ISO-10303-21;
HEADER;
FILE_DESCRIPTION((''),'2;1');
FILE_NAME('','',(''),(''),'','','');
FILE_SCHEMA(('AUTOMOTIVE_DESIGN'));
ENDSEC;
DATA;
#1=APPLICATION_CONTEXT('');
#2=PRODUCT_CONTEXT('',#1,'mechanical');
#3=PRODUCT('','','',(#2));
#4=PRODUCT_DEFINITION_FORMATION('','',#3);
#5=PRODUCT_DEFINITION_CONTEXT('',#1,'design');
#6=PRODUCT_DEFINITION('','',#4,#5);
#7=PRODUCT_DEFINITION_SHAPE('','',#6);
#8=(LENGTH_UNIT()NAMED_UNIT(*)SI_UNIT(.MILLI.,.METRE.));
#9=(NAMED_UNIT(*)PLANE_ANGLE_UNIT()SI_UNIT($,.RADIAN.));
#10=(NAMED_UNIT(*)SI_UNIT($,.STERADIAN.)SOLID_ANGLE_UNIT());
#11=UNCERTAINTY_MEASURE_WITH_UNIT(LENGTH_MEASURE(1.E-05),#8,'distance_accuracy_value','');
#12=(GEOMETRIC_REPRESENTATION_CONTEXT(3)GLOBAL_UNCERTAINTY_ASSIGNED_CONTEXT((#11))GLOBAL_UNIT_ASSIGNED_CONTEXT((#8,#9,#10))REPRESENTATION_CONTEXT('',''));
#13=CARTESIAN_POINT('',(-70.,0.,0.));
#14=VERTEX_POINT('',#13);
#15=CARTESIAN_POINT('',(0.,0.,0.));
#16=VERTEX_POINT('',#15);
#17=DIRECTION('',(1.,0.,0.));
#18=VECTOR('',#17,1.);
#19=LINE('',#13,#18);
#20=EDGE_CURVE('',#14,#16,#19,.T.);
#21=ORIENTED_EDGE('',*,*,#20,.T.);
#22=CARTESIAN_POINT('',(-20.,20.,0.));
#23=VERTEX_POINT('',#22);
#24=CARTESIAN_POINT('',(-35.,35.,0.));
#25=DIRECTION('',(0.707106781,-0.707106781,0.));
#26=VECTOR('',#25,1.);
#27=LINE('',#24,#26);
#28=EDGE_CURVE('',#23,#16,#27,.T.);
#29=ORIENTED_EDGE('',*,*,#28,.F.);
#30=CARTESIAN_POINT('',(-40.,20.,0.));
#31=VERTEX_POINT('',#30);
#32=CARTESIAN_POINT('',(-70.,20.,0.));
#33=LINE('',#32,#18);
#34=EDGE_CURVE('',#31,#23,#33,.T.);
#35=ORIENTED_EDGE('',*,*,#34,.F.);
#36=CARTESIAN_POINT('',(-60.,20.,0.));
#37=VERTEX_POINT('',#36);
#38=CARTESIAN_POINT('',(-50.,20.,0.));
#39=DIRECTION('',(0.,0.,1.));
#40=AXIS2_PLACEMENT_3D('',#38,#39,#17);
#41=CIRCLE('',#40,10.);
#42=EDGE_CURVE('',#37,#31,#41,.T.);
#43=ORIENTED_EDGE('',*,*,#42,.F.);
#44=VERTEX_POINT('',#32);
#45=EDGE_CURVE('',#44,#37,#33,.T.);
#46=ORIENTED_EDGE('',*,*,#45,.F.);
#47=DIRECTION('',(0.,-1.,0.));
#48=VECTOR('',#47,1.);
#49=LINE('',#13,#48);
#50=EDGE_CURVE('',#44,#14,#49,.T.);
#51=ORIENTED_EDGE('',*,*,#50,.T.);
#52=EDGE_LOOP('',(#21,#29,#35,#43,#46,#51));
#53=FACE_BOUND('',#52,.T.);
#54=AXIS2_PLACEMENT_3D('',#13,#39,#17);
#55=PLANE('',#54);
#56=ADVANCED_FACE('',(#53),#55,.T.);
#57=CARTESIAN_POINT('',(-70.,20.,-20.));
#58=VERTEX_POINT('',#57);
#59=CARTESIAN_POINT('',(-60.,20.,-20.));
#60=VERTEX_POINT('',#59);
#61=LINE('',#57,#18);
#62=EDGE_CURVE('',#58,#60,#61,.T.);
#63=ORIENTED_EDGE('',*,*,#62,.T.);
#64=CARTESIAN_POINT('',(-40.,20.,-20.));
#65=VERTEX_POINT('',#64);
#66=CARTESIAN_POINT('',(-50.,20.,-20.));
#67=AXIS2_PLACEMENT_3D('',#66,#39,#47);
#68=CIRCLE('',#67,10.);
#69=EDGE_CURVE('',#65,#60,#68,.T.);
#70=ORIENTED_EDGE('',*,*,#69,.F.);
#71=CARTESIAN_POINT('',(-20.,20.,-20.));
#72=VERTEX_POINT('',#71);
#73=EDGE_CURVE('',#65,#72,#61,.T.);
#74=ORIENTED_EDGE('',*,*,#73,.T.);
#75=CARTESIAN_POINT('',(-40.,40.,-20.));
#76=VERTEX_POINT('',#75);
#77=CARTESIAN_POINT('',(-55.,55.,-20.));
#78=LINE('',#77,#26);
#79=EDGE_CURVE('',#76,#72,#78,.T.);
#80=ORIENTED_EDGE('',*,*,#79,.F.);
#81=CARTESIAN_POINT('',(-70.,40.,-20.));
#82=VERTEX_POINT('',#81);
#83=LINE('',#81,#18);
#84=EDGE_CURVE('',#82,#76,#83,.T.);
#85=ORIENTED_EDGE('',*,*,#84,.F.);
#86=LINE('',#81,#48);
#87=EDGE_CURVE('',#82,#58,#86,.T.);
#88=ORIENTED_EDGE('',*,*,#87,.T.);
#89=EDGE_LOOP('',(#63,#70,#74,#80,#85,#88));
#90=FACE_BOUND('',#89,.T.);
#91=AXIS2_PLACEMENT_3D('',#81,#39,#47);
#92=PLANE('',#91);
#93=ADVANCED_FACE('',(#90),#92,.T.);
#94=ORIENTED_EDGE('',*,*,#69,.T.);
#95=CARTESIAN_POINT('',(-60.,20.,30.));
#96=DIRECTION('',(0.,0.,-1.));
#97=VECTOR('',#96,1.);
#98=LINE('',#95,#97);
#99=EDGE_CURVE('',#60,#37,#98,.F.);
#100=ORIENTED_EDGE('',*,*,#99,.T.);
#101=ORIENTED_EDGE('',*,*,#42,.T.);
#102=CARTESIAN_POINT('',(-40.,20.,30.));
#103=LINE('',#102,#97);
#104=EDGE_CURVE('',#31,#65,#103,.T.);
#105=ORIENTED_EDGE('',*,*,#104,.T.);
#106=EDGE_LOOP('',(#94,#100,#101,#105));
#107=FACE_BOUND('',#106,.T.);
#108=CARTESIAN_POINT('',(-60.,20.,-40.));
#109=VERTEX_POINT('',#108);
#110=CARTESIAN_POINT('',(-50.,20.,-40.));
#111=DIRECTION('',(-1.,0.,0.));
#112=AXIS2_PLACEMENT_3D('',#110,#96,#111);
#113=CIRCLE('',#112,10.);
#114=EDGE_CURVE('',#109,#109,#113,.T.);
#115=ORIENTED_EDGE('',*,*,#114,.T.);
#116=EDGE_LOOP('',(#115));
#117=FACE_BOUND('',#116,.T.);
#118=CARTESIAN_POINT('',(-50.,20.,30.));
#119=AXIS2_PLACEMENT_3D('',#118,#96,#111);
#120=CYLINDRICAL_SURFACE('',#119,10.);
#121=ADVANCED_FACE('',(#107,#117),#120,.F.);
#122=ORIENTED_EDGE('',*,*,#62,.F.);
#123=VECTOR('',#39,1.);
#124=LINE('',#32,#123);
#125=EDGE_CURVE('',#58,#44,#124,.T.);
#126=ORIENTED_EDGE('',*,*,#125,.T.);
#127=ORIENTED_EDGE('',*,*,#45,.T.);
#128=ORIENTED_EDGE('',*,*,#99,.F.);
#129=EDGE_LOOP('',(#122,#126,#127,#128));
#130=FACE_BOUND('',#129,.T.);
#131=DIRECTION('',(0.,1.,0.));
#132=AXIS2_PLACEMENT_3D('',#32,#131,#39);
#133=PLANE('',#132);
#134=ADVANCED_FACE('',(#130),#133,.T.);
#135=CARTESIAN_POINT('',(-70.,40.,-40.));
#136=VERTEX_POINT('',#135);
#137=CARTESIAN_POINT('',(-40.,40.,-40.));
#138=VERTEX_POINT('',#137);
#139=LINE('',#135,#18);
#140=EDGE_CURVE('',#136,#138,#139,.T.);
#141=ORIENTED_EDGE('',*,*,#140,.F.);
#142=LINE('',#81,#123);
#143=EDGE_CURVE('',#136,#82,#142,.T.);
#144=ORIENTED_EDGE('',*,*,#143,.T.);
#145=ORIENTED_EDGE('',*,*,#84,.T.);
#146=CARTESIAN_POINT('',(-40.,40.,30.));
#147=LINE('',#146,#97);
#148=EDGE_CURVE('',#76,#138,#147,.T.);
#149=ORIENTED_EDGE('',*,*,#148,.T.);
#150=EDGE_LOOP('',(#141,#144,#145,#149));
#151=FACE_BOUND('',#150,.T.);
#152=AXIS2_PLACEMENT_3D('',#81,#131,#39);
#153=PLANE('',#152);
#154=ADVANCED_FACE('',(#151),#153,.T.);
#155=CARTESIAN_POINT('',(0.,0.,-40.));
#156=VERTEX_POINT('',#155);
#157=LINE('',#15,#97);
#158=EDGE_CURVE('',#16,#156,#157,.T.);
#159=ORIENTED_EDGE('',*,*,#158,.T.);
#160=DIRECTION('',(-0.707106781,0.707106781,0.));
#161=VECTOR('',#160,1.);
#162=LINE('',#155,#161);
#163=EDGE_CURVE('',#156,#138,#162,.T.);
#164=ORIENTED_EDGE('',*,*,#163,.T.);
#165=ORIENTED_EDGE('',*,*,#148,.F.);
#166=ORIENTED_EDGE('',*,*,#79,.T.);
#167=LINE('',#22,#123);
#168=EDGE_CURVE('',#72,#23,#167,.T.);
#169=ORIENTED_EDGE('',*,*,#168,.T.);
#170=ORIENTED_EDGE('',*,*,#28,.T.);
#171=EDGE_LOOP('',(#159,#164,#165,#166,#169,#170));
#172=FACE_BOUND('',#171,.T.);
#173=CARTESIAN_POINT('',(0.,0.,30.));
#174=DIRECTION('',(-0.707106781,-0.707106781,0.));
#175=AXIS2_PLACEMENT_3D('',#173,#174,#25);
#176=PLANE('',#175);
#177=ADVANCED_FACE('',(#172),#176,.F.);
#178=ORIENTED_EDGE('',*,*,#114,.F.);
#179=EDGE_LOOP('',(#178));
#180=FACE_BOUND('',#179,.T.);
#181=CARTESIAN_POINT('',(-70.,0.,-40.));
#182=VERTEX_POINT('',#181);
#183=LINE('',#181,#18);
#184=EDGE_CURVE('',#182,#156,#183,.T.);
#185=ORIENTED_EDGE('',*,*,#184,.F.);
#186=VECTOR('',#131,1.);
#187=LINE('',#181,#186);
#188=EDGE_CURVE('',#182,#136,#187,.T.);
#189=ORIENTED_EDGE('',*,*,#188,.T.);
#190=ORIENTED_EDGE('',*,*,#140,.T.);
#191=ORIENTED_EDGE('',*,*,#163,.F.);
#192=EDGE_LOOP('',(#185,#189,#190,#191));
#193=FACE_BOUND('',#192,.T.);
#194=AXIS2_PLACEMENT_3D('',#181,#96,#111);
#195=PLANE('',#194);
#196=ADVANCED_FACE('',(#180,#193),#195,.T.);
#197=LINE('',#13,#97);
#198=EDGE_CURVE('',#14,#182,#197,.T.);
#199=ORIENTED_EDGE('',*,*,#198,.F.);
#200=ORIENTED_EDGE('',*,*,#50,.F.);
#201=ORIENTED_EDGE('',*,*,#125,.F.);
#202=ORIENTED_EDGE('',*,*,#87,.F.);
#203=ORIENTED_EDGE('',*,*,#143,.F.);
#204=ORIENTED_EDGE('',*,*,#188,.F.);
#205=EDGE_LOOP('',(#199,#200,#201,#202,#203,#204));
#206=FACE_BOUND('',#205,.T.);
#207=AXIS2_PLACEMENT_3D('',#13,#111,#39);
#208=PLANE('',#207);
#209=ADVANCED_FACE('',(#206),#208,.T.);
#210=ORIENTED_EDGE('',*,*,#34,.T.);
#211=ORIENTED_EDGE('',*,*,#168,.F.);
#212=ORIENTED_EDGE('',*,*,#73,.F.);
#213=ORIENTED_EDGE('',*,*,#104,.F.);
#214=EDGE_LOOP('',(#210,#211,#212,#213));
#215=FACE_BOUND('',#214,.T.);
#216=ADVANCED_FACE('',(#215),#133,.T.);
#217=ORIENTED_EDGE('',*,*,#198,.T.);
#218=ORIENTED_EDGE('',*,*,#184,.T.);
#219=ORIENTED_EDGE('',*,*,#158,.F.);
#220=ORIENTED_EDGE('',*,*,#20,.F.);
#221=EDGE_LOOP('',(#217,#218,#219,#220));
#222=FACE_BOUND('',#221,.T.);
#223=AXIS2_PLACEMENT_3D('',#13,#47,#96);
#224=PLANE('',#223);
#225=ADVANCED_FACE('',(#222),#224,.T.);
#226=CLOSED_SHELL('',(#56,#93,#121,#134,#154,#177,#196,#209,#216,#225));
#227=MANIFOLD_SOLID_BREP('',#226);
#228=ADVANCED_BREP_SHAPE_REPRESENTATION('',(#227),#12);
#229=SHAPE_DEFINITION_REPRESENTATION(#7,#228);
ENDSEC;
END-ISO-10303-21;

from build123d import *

# Parameters (mm, degrees)
EXTRUDE_1_DEPTH     = 70
SKETCH_3_R          = 10
CUT_EXTRUDE_1_DEPTH = 70


with BuildPart() as part:
    # 스케치1 → 보스-돌출1 (new body)
    with BuildSketch(Plane(origin=(0, 0, 0), x_dir=(0, 0, -1), z_dir=(1, 0, 0))):
        Polygon((0, 0), (40, 0), (40, 40), (20, 40), (20, 20), (0, 20), align=None)
    extrude(amount=-EXTRUDE_1_DEPTH)

    # 스케치3 → 컷-돌출1 (cut)
    with BuildSketch(Plane(origin=(0, 0, -40), x_dir=(-1, 0, 0), z_dir=(0, 0, -1))):
        with Locations((50, 20)):
            Circle(SKETCH_3_R)
        Polygon((0, 0), (40, 40), (0, 40), align=None)
    extrude(amount=-CUT_EXTRUDE_1_DEPTH, mode=Mode.SUBTRACT)


solid = part.part
